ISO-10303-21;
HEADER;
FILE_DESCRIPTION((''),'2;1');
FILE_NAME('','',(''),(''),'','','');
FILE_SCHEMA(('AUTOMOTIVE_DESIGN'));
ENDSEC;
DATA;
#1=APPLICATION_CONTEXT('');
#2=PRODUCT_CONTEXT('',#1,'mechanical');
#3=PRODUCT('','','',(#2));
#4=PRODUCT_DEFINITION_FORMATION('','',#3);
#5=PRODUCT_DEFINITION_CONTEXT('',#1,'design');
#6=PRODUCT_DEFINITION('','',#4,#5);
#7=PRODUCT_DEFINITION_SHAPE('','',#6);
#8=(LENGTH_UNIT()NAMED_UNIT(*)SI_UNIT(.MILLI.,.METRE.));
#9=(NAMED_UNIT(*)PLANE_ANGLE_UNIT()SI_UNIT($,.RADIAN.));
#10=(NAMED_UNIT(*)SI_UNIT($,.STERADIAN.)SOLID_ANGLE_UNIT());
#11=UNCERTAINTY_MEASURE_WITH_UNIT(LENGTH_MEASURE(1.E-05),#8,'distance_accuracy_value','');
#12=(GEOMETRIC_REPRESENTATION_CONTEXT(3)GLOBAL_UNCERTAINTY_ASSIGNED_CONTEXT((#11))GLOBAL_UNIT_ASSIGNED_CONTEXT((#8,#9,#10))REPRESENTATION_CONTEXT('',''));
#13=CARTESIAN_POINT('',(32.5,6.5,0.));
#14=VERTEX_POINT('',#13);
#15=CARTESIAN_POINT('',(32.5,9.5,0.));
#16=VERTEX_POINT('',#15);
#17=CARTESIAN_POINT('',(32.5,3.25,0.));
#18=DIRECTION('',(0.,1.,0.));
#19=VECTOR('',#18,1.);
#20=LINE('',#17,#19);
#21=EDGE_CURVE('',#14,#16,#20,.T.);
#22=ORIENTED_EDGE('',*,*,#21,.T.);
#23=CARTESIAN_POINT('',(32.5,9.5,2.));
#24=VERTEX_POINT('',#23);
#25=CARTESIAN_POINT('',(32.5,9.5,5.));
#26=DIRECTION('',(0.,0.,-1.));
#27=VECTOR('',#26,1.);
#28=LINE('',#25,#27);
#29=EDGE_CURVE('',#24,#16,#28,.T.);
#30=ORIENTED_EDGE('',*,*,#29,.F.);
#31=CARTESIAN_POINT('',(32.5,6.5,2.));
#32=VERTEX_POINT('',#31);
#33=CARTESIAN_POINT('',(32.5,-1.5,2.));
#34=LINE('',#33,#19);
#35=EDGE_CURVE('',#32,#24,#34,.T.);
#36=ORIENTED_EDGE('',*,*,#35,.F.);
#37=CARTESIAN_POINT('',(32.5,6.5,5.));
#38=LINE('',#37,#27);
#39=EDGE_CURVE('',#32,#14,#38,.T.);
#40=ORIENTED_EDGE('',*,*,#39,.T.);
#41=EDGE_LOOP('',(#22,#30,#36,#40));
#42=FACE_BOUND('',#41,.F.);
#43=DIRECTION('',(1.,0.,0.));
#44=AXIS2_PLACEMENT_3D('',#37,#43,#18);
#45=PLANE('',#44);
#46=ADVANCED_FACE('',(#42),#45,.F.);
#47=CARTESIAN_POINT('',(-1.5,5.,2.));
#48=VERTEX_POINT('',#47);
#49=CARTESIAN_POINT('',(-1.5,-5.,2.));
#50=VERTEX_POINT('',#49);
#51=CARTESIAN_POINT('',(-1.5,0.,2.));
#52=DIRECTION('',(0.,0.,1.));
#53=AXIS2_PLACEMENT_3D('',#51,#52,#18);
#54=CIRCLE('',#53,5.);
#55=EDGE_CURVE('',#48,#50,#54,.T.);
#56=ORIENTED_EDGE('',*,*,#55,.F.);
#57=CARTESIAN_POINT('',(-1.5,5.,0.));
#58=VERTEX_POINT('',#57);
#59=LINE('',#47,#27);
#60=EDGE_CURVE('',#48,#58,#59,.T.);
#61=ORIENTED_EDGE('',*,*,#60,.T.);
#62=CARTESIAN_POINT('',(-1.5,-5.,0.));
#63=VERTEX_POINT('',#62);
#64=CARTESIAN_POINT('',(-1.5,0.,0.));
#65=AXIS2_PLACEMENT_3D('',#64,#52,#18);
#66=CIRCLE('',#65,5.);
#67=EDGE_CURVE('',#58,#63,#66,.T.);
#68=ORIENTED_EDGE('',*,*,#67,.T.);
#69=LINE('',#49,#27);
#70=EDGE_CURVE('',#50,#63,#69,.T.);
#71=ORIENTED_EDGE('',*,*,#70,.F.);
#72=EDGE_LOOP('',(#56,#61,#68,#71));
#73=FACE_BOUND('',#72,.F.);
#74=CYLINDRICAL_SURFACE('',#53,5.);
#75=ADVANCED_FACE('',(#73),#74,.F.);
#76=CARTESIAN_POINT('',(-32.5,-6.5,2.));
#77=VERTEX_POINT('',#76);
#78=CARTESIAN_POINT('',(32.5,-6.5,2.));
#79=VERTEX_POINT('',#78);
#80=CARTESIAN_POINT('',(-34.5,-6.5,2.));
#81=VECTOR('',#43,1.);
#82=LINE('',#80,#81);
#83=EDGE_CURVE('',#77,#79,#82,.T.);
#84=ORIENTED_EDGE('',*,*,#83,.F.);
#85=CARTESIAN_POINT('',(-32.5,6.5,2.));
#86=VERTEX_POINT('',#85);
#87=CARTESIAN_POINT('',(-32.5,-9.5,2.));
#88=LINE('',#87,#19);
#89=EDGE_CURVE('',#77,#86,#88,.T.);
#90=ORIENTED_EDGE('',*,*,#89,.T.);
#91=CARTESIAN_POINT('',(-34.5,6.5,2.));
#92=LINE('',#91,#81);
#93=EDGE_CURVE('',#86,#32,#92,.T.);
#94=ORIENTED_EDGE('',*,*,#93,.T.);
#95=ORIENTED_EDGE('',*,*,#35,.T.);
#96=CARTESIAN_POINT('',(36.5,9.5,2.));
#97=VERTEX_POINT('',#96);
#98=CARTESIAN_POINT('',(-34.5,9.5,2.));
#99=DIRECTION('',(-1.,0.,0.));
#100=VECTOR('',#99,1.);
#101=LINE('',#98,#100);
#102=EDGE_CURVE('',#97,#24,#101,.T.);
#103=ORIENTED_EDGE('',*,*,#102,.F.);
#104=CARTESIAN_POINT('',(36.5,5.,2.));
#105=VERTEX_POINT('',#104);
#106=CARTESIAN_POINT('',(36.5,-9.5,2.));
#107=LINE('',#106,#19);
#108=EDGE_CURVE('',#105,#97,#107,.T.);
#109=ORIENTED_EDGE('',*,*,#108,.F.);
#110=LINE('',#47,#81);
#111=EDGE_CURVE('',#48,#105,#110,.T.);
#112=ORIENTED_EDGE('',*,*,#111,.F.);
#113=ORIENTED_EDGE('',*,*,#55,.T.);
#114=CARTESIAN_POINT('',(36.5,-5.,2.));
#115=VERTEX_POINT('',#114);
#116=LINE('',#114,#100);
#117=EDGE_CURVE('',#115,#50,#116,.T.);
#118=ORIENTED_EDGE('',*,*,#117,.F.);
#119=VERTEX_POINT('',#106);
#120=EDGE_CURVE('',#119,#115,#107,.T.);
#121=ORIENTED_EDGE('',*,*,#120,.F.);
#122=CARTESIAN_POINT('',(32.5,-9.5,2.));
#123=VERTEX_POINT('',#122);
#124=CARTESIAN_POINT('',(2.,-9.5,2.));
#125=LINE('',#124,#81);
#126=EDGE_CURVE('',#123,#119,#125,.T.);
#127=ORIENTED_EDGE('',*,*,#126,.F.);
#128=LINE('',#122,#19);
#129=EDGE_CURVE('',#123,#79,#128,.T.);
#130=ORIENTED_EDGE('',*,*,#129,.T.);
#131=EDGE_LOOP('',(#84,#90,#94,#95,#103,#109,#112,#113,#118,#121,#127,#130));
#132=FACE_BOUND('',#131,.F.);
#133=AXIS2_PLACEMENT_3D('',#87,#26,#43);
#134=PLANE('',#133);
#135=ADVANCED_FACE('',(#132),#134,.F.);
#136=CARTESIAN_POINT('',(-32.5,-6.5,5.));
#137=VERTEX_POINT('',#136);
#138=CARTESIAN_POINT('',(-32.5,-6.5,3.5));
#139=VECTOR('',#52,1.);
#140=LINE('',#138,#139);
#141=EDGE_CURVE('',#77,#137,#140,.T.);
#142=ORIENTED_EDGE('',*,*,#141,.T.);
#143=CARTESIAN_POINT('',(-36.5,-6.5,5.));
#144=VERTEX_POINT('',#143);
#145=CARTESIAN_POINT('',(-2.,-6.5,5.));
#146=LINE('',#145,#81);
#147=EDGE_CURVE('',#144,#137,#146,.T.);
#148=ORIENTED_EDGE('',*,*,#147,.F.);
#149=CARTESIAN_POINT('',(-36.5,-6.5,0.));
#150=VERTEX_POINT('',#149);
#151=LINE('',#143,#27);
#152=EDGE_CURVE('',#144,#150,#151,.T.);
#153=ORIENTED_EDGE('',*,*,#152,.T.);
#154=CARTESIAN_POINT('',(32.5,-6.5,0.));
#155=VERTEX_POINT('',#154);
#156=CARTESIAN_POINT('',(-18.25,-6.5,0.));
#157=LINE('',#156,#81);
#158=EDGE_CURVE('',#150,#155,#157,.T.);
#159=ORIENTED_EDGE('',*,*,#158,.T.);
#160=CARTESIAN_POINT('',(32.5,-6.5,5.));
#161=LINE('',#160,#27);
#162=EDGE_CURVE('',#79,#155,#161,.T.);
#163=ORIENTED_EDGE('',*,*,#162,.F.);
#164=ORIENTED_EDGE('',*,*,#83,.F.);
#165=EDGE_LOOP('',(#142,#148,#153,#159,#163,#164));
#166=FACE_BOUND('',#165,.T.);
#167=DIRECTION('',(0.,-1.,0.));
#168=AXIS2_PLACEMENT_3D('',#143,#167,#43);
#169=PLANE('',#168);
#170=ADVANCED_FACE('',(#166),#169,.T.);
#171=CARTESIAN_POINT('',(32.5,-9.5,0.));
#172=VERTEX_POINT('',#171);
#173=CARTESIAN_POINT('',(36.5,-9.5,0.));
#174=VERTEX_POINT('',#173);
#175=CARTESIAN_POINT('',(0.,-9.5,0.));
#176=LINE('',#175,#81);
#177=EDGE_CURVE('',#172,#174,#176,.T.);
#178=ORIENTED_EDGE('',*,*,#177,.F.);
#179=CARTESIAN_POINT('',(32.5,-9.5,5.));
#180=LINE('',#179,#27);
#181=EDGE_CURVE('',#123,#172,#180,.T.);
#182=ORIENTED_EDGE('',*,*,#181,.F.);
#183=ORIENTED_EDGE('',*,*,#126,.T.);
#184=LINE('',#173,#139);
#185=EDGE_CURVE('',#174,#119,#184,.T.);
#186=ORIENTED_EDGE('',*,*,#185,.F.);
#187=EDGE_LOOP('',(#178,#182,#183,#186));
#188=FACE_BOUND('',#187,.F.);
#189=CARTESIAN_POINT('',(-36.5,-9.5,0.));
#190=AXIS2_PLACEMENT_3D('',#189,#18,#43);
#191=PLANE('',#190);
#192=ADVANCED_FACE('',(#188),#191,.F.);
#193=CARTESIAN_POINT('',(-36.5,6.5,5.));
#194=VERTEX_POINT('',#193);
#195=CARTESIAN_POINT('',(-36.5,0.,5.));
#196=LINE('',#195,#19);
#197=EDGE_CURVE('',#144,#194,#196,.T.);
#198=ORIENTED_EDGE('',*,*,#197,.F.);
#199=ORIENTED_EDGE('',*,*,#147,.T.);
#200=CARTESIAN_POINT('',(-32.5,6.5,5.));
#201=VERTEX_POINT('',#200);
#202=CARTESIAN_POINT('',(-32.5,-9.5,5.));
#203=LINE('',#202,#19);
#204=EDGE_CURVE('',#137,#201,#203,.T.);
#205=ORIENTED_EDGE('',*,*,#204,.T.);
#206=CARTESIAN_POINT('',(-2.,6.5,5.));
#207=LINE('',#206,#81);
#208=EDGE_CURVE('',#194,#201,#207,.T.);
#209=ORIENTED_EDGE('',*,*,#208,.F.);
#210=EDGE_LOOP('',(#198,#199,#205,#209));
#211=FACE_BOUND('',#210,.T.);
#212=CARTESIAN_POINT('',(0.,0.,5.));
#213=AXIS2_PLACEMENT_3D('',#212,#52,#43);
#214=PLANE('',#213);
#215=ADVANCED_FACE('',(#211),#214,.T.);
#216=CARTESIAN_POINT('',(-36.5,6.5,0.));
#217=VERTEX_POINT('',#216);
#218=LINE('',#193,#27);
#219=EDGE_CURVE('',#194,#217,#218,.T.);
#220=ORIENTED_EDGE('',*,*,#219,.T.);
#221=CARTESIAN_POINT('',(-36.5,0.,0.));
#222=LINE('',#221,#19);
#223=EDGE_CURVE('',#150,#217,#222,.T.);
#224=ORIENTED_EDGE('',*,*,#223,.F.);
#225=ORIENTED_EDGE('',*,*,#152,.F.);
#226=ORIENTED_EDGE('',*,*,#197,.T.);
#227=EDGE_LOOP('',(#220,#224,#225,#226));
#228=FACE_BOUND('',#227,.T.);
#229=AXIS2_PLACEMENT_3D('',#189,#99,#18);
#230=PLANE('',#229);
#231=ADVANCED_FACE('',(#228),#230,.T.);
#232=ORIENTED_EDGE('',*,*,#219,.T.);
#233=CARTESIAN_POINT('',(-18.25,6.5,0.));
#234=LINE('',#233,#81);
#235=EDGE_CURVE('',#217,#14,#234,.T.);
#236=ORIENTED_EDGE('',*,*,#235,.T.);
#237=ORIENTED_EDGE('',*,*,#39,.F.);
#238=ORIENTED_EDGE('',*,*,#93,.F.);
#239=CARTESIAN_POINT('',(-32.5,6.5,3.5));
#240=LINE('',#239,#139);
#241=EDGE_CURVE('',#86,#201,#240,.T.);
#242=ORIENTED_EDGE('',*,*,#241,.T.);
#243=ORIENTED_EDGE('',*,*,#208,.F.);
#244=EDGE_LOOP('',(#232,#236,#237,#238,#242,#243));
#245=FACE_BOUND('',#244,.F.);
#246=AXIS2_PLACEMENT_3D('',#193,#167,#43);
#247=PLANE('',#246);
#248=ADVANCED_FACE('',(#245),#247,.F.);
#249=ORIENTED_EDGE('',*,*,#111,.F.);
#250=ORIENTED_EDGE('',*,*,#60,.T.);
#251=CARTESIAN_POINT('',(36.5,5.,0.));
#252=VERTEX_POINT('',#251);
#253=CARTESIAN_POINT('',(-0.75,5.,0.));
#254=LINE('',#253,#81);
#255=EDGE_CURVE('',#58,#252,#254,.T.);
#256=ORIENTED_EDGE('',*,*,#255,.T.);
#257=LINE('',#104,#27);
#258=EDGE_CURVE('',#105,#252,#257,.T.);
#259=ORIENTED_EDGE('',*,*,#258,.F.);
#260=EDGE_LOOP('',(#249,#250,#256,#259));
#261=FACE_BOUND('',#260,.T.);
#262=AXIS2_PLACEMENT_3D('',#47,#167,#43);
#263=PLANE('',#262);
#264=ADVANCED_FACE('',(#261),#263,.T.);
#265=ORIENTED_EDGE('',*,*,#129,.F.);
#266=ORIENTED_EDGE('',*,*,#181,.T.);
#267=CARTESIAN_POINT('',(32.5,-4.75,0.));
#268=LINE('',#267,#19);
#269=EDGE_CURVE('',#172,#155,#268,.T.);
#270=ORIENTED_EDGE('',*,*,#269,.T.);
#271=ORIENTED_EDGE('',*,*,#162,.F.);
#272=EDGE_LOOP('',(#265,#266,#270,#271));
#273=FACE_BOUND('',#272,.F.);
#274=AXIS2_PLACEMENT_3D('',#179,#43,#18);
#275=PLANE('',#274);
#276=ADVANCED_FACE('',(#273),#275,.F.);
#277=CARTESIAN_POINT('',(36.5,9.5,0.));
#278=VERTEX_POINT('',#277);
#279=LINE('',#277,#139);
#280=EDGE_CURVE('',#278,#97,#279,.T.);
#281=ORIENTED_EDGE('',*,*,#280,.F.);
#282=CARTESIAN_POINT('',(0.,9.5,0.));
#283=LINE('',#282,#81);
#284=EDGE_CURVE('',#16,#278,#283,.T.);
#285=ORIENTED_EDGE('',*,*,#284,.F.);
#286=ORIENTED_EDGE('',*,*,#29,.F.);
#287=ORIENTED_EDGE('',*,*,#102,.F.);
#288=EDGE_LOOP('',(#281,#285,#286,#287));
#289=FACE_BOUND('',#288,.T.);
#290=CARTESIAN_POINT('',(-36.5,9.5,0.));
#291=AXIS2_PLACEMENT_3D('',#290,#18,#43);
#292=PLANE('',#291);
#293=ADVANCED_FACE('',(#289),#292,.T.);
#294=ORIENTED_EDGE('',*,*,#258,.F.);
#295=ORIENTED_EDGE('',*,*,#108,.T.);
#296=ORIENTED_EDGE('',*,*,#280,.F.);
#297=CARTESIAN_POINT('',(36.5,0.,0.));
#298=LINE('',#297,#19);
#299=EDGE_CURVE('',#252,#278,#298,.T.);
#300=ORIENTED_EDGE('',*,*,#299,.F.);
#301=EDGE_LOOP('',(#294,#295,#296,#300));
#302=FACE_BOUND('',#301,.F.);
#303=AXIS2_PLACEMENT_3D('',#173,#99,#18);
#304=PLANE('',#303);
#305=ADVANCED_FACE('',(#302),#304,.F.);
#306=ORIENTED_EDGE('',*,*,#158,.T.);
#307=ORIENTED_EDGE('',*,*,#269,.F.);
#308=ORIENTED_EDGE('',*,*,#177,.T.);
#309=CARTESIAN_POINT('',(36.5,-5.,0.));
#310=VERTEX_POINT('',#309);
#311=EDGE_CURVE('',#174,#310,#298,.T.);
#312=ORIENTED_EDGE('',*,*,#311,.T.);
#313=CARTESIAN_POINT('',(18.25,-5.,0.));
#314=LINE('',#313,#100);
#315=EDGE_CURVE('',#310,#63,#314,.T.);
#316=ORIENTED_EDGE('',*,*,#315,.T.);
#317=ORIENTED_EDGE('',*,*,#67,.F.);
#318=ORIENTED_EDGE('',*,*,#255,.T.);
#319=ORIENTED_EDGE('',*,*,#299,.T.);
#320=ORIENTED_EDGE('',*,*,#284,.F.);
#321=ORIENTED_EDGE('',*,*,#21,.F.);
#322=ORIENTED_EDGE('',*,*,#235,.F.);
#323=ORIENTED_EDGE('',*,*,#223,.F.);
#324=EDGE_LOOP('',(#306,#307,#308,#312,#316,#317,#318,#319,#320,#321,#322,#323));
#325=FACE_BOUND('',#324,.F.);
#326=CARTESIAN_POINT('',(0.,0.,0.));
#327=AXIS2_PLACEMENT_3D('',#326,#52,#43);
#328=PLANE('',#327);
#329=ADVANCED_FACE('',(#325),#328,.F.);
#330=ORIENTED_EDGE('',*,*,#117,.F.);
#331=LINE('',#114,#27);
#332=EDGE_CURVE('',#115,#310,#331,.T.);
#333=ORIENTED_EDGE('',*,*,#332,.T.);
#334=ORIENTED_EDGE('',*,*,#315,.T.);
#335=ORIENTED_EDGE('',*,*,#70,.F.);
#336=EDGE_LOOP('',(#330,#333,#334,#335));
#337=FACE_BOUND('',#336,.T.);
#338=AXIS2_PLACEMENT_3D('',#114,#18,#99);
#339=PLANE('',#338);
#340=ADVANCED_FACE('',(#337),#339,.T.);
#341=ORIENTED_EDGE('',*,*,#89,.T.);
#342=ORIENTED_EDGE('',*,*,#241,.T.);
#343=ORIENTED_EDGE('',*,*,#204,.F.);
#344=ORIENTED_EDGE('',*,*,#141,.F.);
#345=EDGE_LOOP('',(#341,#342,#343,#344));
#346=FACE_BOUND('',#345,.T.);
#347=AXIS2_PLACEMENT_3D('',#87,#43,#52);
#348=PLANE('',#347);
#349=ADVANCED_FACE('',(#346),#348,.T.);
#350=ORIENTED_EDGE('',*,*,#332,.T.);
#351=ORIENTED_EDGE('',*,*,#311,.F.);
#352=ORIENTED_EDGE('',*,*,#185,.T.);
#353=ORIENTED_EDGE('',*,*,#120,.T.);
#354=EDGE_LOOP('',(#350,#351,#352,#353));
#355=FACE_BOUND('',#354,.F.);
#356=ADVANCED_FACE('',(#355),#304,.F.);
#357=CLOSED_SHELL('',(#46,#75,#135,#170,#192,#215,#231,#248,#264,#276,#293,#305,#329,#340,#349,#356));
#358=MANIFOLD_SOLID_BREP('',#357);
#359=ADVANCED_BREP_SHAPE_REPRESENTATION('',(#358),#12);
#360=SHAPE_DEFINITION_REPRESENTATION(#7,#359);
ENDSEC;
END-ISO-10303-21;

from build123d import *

# Parameters (mm, degrees)
SKETCH_W        = 73
SKETCH_H        = 19
PAD_DEPTH       = 5
SKETCH001_W     = 69
SKETCH001_H     = 3
POCKET_DEPTH    = 5.001
SKETCH002_W     = 69
SKETCH002_H     = 3
POCKET001_DEPTH = 19.001
POCKET002_DEPTH = 2.001


with BuildPart() as part:
    # Sketch → Pad (new body)
    with BuildSketch(Plane.XY):
        Rectangle(SKETCH_W, SKETCH_H)
    extrude(amount=PAD_DEPTH)

    # Sketch001 → Pocket (cut, through all)
    with BuildSketch(Plane.XY.offset(5)):
        with Locations((-2, 8)):
            Rectangle(SKETCH001_W, SKETCH001_H)
        with Locations((-2, -8)):
            Rectangle(SKETCH001_W, SKETCH001_H)
    extrude(amount=-POCKET_DEPTH, mode=Mode.SUBTRACT)

    # Sketch002 → Pocket001 (cut, through all)
    with BuildSketch(Plane.XZ.offset(9.5)):
        with Locations((2, 3.5)):
            Rectangle(SKETCH002_W, SKETCH002_H)
    extrude(amount=-POCKET001_DEPTH, mode=Mode.SUBTRACT)

    # Sketch003 → Pocket002 (cut, through all)
    with BuildSketch(Plane.XY.offset(2)):
        with BuildLine():
            Line((-1.5, 5), (36.5, 5))
            Line((36.5, 5), (36.5, -5))
            Line((36.5, -5), (-1.5, -5))
            ThreePointArc((-1.5, 5), (-6.5, 0), (-1.5, -5))
        make_face()
    extrude(amount=-POCKET002_DEPTH, mode=Mode.SUBTRACT)


solid = part.part
